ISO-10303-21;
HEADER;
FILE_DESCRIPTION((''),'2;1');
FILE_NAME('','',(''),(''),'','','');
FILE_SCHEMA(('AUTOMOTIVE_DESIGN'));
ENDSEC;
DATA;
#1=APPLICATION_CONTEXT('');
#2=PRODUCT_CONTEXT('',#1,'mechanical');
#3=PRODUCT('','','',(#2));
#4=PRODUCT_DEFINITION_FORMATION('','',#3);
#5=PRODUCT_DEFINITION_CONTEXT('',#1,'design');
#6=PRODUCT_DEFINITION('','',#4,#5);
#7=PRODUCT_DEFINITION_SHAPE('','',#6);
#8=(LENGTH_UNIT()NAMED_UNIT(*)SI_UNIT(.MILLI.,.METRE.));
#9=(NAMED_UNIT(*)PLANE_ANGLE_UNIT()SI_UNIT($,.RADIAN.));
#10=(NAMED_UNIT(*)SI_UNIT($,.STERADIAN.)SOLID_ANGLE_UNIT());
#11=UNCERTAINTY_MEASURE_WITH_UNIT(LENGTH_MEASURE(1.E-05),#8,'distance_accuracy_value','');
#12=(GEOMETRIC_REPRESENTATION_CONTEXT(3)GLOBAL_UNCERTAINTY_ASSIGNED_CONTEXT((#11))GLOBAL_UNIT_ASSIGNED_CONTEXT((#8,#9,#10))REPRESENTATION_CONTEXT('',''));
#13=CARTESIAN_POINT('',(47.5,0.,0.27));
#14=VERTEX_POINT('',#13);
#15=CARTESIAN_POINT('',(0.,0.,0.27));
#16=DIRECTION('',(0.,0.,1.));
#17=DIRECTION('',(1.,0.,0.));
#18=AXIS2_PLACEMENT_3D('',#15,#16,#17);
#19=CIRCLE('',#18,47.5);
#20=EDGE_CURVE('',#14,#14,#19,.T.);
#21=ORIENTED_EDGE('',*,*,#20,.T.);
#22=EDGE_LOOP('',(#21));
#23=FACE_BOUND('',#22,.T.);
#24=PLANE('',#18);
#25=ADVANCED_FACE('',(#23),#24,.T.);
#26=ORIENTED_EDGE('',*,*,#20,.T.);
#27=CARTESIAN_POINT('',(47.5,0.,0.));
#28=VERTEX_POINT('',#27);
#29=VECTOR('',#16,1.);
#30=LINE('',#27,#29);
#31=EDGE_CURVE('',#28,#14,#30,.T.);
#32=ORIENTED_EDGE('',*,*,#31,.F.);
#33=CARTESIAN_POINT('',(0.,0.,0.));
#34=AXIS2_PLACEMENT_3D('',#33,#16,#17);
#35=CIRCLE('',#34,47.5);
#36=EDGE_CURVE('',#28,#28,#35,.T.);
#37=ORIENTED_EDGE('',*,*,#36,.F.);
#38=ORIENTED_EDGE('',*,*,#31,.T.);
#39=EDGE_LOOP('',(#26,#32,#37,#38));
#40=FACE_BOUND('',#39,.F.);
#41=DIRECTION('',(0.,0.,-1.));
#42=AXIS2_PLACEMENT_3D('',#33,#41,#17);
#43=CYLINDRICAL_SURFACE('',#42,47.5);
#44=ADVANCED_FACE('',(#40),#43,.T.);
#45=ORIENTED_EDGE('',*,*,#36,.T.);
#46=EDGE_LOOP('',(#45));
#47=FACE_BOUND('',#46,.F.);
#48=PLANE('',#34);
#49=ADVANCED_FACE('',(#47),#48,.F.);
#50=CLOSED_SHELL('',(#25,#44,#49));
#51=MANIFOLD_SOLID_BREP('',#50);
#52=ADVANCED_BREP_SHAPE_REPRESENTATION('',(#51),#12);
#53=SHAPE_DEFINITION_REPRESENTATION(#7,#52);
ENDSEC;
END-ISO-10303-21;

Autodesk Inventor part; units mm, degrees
ref_plane "YZ Plane" through (0, 0, 0) normal (1, 0, 0) x (0, 1, 0)
ref_plane "XZ Plane" through (0, 0, 0) normal (0, 1, 0) x (-1, 0, 0)
ref_plane "XY Plane" through (0, 0, 0) normal (0, 0, 1) x (1, 0, 0)
sketch "Sketch1" plane through (0, 0, 0) normal (0, 0, 1) x (1, 0, 0)
  circle A0 centre (0, 0) radius 47.5
  dimension "d0" = 95
extrude "Extrusion1" add sketch "Sketch1" along normal blind 0.27
properties part number "IHU_extramass" material "Steel"
